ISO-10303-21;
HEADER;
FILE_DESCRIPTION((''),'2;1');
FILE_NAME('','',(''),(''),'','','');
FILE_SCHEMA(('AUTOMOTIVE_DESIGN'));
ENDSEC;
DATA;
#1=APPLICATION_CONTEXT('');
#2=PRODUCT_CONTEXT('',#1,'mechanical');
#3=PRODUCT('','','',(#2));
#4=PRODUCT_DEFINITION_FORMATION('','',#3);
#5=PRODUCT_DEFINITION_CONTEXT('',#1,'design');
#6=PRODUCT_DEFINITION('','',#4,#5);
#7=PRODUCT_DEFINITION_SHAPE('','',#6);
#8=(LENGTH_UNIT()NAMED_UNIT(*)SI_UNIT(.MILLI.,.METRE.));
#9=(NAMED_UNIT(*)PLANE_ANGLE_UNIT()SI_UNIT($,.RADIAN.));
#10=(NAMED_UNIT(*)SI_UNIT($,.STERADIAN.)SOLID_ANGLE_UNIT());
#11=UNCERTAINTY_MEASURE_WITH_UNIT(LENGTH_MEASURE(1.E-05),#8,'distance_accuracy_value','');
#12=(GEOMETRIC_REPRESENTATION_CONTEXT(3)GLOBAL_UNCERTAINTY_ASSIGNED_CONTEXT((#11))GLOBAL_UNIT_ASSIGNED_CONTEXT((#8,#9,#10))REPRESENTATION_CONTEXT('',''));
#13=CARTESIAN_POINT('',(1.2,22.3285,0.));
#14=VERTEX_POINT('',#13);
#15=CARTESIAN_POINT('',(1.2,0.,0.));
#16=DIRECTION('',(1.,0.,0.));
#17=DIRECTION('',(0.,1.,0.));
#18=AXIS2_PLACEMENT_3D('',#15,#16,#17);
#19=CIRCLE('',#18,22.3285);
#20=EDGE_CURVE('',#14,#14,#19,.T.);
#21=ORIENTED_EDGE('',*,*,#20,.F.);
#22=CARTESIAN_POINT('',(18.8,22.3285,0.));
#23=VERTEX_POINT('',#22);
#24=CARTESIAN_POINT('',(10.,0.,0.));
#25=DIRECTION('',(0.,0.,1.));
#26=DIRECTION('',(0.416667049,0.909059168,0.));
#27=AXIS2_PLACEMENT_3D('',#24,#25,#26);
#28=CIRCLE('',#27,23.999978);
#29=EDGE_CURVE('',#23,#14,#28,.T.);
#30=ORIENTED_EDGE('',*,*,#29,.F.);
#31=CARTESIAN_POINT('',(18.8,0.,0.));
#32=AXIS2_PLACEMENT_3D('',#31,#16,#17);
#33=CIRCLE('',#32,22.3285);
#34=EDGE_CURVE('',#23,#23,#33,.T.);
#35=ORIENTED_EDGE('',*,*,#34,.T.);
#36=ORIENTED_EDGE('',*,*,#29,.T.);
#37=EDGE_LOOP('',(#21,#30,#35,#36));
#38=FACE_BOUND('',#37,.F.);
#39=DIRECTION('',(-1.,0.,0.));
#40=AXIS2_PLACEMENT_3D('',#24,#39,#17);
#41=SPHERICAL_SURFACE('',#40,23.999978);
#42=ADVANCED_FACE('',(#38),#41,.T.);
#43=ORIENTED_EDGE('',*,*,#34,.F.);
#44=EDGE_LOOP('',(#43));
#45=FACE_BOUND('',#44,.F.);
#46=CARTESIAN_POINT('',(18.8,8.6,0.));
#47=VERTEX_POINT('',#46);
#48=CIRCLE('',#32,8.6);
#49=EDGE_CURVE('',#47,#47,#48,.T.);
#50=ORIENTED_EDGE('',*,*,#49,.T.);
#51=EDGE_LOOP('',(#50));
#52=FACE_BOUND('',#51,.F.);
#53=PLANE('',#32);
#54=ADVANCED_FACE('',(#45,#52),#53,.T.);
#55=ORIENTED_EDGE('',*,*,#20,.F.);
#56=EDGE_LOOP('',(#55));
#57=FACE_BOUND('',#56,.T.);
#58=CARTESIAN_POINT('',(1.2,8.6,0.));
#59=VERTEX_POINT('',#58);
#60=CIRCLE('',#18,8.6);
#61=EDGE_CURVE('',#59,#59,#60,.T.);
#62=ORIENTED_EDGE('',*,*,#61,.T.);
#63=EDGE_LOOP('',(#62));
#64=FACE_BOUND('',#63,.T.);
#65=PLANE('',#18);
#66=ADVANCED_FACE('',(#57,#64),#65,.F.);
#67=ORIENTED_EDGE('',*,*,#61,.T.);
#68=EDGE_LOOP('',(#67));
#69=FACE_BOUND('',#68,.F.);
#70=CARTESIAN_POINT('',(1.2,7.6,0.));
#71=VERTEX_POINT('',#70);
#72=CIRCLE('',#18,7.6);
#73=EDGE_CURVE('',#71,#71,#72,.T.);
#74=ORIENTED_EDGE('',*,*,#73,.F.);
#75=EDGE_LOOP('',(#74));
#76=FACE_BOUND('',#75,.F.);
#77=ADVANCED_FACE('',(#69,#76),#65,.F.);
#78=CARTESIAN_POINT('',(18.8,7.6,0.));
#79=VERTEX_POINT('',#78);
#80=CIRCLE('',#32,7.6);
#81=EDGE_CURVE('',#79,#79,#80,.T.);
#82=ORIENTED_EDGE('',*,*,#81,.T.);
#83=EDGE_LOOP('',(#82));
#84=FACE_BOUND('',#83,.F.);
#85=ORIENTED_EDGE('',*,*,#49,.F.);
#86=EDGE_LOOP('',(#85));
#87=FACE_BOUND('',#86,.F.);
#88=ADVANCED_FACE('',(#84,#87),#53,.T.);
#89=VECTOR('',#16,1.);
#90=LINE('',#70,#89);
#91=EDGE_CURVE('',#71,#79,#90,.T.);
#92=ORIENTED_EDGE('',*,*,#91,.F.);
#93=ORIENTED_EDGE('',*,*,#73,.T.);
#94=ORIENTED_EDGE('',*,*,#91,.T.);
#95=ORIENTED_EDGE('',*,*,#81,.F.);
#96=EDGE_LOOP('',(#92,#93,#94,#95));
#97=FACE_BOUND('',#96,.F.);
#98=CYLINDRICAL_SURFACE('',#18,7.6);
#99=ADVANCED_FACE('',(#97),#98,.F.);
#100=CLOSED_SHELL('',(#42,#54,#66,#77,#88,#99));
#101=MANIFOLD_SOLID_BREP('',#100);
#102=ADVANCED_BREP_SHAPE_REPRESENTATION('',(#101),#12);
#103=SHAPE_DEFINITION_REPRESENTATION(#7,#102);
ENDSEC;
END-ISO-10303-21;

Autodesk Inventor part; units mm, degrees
ref_plane "YZ Plane" through (0, 0, 0) normal (1, 0, 0) x (0, 1, 0)
ref_plane "XZ Plane" through (0, 0, 0) normal (0, 1, 0) x (-1, 0, 0)
ref_plane "XY Plane" through (0, 0, 0) normal (0, 0, 1) x (1, 0, 0)
sketch "スケッチ1" plane through (0, 0, 0) normal (0, 0, 1) x (1, 0, 0)
  line L0 (0, 0) -> (20, 0) construction
  line L1 (1.2, 8.6) -> (0, 8.6)
  line L2 (0, 8.6) -> (0, 24) construction
  line L3 (1.2, 8.6) -> (1.2, 7.6)
  line L4 (1.2, 7.6) -> (18.8, 7.6)
  line L5 (18.8, 7.6) -> (18.8, 8.6)
  line L6 (18.8, 8.6) -> (20, 8.6)
  line L7 (20, 8.6) -> (20, 24) construction
  line L8 (20, 24) -> (0, 24) construction
  circle A0 centre (10, 0) radius 24 construction
  arc A1 (20, 21.8174) -> (0, 21.8174) centre (10, 0) ccw
  line L9 (0, 21.8174) -> (0, 8.6)
  line L10 (20, 21.8174) -> (20, 8.6)
  line L11 (18.8, 8.6) -> (18.8, 22.3285)
  line L12 (1.2, 8.6) -> (1.2, 22.3285)
  point P0 (10, 24)
  point P1 (10, 7.6)
  dimension "d0" = 1.2
  dimension "d1" = 20
  dimension "d2" = 1
  dimension "d3" = 7.6
  dimension "d4" = 24
revolve "回転1" add sketch "スケッチ1" angle 360 about axis through (0, 0, 0) along (1, 0, 0) contours L12 A1 L11 L5 L4 L3
properties part number "tpu_caster"
